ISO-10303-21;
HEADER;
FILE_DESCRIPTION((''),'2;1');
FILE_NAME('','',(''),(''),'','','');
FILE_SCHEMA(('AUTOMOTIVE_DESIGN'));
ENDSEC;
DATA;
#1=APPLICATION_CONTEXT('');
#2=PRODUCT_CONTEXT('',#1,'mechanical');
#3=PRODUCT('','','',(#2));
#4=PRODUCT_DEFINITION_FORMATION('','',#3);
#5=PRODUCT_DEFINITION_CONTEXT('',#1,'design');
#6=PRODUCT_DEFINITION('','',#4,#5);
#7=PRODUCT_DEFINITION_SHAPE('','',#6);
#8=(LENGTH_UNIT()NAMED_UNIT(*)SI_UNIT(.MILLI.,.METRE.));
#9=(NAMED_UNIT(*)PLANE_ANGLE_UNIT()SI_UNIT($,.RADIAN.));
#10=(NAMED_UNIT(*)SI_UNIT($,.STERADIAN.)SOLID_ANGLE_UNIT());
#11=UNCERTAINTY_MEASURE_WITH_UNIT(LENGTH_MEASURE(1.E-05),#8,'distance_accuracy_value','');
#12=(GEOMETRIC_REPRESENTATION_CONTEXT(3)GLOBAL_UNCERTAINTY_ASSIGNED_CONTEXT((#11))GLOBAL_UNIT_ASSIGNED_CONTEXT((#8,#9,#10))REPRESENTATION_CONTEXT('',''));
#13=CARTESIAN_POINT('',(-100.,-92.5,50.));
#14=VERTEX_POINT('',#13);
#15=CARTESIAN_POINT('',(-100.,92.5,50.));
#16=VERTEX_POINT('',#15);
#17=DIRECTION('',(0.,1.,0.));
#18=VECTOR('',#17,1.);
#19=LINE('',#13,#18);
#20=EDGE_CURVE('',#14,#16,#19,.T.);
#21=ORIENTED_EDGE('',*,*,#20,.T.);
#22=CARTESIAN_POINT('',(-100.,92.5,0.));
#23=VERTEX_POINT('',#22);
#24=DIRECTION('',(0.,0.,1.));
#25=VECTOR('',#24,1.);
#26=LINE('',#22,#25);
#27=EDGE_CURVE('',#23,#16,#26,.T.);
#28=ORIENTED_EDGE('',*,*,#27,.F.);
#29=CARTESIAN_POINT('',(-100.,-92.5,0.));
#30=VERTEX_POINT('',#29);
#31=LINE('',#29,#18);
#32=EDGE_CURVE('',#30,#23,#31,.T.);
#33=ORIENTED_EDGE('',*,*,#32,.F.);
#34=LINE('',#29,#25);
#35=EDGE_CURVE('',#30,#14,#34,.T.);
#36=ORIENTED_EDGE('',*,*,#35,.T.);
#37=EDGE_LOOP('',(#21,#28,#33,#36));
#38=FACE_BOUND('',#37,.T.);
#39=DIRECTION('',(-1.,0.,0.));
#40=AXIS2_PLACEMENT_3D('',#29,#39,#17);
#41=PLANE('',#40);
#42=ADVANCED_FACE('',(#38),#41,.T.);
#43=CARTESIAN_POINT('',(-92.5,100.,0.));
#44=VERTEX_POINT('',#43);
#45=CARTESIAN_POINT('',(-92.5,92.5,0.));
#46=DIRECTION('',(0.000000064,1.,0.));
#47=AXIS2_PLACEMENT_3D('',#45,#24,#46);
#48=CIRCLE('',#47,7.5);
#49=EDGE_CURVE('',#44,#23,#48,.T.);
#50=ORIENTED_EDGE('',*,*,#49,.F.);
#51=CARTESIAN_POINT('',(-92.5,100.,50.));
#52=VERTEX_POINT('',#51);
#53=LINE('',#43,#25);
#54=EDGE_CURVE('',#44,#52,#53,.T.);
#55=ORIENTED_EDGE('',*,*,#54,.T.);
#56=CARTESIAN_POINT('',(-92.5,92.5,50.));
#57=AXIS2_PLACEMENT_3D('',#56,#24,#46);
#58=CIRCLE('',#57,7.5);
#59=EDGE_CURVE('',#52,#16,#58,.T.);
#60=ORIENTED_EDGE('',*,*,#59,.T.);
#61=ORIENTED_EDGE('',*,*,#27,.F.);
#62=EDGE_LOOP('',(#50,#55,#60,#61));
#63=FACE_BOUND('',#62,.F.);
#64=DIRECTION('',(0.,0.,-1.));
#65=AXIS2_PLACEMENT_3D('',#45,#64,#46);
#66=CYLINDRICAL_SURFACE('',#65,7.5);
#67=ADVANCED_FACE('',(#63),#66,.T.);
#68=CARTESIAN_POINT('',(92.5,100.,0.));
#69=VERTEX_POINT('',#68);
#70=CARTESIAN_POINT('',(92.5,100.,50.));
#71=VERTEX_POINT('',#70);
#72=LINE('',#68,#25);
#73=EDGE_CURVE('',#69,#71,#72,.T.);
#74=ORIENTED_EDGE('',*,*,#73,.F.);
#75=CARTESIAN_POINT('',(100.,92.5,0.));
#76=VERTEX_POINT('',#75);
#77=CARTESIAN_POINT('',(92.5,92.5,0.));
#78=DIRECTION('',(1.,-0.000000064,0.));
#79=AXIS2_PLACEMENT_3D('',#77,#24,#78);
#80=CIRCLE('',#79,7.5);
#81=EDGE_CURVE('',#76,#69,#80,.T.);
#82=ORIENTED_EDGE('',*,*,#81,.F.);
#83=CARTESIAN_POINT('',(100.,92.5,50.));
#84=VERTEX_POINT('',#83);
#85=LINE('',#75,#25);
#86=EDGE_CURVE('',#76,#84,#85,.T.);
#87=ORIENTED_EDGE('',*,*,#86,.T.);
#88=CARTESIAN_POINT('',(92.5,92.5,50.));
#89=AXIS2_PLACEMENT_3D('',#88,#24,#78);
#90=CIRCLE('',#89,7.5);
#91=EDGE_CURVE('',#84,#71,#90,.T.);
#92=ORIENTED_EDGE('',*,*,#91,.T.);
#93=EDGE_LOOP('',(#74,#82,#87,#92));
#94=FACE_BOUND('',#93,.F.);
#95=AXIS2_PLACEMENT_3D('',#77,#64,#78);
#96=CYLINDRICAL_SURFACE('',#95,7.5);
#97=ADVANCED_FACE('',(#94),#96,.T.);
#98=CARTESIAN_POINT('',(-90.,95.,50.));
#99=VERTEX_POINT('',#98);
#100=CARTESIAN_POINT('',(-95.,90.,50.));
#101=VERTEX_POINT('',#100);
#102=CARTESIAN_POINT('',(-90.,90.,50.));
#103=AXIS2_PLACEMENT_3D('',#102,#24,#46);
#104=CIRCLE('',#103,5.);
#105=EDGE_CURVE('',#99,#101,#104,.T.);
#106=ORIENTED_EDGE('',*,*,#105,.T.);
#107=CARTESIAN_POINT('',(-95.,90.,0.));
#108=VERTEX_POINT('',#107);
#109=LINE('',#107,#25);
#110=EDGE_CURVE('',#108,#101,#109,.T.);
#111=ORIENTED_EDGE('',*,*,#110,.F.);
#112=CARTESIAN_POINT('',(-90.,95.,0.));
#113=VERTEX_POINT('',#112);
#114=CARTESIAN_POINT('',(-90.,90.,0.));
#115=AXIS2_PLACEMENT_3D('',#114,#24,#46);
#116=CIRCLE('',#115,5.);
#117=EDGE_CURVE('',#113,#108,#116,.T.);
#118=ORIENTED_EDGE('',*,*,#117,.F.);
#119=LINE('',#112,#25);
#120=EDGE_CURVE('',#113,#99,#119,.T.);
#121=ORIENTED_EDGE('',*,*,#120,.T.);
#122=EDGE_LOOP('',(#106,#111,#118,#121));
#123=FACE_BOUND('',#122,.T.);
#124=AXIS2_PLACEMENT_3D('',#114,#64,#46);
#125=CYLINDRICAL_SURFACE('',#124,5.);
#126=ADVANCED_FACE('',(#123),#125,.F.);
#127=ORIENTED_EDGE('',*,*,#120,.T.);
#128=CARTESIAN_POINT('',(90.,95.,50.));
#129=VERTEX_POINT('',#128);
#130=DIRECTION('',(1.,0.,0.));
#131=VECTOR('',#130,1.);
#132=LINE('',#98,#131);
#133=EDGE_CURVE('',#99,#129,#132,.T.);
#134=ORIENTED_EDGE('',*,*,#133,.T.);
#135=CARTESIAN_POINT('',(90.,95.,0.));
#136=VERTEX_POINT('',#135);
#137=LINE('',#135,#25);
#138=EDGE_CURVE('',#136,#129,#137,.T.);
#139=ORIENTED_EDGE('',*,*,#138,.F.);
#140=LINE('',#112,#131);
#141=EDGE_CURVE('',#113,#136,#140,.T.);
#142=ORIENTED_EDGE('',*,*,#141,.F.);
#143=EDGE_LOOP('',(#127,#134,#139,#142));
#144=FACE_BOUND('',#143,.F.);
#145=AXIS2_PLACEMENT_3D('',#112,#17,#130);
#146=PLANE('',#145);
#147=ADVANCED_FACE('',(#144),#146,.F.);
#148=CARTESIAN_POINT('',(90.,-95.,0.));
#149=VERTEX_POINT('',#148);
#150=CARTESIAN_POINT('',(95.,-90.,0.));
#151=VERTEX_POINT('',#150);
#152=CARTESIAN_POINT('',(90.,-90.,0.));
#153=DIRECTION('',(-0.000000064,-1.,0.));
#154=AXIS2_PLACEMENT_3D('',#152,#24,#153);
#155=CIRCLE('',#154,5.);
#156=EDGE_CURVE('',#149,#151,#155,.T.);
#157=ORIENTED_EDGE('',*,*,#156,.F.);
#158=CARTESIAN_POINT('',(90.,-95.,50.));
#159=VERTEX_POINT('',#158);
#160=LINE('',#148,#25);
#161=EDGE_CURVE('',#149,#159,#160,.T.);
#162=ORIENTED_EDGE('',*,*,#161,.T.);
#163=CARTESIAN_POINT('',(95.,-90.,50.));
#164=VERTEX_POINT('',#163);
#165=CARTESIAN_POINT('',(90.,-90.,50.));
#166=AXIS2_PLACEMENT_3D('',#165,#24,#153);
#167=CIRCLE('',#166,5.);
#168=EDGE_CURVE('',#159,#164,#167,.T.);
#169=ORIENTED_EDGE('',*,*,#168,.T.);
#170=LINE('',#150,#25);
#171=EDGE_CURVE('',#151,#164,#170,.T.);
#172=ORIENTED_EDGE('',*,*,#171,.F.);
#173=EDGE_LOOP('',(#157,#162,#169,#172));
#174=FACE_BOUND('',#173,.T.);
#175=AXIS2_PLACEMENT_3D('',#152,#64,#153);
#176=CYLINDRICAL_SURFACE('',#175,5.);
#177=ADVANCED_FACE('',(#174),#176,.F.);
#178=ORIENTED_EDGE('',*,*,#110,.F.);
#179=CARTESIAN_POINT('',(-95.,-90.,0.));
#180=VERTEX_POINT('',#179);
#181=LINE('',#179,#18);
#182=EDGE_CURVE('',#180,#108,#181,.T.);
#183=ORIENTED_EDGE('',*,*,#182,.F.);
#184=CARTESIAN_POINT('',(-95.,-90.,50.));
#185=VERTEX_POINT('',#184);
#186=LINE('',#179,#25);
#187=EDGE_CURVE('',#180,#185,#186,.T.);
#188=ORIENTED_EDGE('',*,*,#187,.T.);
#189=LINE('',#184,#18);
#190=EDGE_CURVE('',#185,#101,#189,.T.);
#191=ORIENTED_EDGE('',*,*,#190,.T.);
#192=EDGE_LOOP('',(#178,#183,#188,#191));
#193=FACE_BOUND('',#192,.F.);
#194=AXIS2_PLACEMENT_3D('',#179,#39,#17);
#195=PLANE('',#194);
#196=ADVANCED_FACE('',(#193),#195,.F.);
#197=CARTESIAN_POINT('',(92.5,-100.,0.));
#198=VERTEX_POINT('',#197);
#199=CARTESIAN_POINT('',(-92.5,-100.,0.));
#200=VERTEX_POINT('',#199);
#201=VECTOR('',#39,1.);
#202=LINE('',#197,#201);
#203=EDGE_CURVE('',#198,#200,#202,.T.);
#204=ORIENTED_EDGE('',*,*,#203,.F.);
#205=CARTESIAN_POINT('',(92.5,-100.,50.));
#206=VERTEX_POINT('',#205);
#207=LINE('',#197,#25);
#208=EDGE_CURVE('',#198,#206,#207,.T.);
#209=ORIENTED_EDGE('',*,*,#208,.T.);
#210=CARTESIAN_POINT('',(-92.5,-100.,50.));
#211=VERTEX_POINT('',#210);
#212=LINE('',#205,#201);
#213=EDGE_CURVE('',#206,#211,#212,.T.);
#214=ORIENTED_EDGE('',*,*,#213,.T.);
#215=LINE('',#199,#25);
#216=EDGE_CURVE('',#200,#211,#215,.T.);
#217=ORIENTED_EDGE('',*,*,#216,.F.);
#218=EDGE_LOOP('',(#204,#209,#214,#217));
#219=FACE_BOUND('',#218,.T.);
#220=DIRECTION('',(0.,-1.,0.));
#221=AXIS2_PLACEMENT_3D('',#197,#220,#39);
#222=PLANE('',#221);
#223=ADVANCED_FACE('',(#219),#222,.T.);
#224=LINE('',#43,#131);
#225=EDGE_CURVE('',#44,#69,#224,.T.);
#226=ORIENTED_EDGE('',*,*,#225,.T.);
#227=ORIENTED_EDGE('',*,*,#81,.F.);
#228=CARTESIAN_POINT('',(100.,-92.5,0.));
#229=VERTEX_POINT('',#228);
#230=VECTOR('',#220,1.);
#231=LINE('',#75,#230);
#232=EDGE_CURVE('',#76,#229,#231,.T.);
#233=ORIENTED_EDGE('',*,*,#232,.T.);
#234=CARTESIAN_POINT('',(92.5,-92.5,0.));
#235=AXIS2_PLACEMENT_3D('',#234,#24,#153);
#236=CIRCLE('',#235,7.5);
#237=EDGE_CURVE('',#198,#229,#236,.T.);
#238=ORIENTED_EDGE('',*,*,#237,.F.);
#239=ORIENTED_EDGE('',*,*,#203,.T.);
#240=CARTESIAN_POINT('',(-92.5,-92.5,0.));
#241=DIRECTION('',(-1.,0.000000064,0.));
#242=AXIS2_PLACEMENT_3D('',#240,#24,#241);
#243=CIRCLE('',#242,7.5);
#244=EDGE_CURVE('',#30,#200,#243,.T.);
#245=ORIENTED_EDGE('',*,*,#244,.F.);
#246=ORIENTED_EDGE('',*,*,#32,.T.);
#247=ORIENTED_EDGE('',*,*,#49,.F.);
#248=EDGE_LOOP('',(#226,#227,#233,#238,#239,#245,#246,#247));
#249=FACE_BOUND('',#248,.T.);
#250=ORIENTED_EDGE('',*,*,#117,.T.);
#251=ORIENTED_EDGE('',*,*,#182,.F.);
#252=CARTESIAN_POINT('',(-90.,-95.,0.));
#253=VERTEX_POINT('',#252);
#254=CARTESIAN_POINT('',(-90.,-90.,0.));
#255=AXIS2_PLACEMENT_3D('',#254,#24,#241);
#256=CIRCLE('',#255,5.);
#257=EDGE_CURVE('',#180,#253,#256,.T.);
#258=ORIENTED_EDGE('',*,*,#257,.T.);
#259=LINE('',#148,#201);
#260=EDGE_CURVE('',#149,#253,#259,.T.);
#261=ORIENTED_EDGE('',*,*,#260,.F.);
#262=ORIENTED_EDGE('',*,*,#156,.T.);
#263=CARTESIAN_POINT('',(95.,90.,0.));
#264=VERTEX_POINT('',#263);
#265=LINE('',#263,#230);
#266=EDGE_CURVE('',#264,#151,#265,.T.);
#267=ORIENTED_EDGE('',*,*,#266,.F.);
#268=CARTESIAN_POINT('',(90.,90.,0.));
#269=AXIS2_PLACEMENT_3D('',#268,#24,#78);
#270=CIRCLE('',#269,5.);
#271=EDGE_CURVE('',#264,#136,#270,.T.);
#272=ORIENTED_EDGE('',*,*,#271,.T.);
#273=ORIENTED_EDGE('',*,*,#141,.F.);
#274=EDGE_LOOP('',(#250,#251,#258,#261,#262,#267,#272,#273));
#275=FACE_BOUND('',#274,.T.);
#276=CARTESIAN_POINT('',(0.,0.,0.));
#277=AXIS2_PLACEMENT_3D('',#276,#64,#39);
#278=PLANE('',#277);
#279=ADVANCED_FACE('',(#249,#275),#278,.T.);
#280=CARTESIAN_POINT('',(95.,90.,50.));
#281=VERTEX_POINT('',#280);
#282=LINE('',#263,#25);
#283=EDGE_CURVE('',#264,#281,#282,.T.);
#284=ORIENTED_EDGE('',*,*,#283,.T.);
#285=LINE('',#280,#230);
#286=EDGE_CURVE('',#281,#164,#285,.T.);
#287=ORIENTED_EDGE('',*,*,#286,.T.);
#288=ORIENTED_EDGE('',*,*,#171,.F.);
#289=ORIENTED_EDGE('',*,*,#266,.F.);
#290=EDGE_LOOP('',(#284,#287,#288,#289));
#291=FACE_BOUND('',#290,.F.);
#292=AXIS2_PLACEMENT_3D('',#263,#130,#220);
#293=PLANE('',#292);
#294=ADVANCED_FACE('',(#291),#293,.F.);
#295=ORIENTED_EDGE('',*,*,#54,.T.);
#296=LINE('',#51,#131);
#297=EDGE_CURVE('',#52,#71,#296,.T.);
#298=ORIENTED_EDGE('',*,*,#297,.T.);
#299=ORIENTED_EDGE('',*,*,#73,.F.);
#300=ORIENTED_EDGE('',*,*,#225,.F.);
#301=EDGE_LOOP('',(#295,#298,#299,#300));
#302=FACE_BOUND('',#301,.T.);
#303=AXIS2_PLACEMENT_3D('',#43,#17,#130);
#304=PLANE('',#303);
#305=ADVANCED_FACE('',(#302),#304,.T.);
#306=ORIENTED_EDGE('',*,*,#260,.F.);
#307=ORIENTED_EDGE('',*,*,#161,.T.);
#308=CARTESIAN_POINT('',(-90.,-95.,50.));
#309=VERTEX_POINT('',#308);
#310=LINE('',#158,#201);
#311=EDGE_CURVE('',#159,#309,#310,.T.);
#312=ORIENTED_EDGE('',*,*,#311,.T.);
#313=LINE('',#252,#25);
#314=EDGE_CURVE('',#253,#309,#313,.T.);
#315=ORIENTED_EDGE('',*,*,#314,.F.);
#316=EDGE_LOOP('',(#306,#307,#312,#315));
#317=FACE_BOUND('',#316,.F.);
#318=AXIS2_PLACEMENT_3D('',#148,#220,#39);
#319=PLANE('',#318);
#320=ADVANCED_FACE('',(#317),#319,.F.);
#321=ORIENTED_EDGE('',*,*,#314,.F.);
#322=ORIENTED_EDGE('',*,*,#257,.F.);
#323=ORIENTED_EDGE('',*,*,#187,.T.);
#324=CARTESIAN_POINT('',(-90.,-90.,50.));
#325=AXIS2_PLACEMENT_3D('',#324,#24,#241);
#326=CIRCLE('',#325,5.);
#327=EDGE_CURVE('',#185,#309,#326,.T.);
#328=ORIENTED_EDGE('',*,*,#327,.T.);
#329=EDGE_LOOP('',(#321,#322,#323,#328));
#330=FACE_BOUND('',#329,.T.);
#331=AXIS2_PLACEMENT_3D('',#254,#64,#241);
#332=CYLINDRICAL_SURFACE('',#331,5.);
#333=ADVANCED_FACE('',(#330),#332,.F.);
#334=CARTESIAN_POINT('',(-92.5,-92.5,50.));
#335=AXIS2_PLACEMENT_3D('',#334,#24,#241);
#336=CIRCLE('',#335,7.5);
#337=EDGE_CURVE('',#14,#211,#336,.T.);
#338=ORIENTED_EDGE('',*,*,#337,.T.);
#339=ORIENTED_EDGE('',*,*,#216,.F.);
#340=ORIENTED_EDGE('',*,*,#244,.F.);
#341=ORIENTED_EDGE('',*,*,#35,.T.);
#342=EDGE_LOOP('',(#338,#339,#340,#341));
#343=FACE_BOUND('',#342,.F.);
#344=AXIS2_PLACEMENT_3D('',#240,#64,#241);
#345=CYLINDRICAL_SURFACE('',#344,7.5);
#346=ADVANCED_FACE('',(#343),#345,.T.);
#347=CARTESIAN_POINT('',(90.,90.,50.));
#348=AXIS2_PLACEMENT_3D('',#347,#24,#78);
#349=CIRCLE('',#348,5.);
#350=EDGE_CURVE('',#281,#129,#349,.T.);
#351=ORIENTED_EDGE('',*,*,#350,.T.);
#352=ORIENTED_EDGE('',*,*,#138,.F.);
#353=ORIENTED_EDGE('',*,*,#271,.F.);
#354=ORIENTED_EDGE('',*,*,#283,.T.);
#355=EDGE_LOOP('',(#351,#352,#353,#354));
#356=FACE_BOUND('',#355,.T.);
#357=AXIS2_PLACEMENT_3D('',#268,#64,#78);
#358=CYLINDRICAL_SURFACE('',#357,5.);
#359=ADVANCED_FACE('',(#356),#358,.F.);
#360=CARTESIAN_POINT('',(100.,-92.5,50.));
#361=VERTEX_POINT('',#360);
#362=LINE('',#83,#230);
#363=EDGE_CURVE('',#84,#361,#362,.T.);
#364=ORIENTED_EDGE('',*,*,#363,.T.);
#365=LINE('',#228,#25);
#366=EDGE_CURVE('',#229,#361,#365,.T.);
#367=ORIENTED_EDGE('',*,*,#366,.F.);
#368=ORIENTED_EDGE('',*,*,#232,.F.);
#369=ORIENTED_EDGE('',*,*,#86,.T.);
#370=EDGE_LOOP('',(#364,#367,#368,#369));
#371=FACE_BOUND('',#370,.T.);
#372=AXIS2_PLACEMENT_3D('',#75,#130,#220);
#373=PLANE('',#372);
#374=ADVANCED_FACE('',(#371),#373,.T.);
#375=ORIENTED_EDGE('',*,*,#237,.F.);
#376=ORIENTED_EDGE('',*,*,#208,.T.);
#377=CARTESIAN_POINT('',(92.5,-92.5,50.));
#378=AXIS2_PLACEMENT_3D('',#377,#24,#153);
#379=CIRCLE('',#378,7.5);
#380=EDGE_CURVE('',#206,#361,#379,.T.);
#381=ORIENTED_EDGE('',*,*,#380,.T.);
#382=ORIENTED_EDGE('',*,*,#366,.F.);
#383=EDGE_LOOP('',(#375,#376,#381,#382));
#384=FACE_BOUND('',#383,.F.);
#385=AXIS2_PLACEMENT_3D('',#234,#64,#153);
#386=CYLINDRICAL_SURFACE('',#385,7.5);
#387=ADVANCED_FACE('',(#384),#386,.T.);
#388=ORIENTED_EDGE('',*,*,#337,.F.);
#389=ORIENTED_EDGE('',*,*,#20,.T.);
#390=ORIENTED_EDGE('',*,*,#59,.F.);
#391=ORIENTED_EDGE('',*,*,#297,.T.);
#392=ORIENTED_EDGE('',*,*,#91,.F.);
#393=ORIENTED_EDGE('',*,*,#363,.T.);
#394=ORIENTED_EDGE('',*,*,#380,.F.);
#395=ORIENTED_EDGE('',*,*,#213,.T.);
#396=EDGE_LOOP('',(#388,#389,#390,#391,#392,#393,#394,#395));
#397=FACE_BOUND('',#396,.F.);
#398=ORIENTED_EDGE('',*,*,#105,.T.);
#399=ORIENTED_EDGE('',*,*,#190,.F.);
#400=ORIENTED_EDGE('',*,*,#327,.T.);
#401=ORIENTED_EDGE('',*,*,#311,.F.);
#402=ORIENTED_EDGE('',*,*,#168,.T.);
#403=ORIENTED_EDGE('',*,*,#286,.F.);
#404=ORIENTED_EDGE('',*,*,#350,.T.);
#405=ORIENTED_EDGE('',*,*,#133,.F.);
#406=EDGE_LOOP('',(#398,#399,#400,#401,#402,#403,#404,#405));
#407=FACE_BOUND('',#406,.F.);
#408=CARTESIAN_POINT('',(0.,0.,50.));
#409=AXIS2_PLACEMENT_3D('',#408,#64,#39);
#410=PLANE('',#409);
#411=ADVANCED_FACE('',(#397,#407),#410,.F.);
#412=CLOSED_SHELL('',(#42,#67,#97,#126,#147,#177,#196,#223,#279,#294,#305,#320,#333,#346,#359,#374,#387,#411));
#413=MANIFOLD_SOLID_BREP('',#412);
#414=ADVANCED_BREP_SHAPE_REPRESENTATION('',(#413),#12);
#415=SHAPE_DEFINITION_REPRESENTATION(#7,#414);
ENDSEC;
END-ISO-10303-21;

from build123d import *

# Parameters (mm, degrees)
EXTRUDE_DEPTH = 50


with BuildPart() as part:
    # Sketch → Extrude (new body)
    with BuildSketch(Plane.XY):
        with BuildLine():
            Line((-92.5, 100), (92.5, 100))
            ThreePointArc((100, 92.5), (97.803301, 97.803301), (92.5, 100))
            Line((100, 92.5), (100, -92.5))
            ThreePointArc((92.5, -100), (97.803301, -97.803301), (100, -92.5))
            Line((92.5, -100), (-92.5, -100))
            ThreePointArc((-100, -92.5), (-97.803301, -97.803301), (-92.5, -100))
            Line((-100, -92.5), (-100, 92.5))
            ThreePointArc((-92.5, 100), (-97.803301, 97.803301), (-100, 92.5))
        make_face()
        with BuildLine():
            Line((-90, 95), (90, 95))
            ThreePointArc((95, 90), (93.535534, 93.535534), (90, 95))
            Line((95, 90), (95, -90))
            ThreePointArc((90, -95), (93.535534, -93.535534), (95, -90))
            Line((90, -95), (-90, -95))
            ThreePointArc((-95, -90), (-93.535534, -93.535534), (-90, -95))
            Line((-95, -90), (-95, 90))
            ThreePointArc((-90, 95), (-93.535534, 93.535534), (-95, 90))
        make_face(mode=Mode.SUBTRACT)
    extrude(amount=EXTRUDE_DEPTH)


solid = part.part
